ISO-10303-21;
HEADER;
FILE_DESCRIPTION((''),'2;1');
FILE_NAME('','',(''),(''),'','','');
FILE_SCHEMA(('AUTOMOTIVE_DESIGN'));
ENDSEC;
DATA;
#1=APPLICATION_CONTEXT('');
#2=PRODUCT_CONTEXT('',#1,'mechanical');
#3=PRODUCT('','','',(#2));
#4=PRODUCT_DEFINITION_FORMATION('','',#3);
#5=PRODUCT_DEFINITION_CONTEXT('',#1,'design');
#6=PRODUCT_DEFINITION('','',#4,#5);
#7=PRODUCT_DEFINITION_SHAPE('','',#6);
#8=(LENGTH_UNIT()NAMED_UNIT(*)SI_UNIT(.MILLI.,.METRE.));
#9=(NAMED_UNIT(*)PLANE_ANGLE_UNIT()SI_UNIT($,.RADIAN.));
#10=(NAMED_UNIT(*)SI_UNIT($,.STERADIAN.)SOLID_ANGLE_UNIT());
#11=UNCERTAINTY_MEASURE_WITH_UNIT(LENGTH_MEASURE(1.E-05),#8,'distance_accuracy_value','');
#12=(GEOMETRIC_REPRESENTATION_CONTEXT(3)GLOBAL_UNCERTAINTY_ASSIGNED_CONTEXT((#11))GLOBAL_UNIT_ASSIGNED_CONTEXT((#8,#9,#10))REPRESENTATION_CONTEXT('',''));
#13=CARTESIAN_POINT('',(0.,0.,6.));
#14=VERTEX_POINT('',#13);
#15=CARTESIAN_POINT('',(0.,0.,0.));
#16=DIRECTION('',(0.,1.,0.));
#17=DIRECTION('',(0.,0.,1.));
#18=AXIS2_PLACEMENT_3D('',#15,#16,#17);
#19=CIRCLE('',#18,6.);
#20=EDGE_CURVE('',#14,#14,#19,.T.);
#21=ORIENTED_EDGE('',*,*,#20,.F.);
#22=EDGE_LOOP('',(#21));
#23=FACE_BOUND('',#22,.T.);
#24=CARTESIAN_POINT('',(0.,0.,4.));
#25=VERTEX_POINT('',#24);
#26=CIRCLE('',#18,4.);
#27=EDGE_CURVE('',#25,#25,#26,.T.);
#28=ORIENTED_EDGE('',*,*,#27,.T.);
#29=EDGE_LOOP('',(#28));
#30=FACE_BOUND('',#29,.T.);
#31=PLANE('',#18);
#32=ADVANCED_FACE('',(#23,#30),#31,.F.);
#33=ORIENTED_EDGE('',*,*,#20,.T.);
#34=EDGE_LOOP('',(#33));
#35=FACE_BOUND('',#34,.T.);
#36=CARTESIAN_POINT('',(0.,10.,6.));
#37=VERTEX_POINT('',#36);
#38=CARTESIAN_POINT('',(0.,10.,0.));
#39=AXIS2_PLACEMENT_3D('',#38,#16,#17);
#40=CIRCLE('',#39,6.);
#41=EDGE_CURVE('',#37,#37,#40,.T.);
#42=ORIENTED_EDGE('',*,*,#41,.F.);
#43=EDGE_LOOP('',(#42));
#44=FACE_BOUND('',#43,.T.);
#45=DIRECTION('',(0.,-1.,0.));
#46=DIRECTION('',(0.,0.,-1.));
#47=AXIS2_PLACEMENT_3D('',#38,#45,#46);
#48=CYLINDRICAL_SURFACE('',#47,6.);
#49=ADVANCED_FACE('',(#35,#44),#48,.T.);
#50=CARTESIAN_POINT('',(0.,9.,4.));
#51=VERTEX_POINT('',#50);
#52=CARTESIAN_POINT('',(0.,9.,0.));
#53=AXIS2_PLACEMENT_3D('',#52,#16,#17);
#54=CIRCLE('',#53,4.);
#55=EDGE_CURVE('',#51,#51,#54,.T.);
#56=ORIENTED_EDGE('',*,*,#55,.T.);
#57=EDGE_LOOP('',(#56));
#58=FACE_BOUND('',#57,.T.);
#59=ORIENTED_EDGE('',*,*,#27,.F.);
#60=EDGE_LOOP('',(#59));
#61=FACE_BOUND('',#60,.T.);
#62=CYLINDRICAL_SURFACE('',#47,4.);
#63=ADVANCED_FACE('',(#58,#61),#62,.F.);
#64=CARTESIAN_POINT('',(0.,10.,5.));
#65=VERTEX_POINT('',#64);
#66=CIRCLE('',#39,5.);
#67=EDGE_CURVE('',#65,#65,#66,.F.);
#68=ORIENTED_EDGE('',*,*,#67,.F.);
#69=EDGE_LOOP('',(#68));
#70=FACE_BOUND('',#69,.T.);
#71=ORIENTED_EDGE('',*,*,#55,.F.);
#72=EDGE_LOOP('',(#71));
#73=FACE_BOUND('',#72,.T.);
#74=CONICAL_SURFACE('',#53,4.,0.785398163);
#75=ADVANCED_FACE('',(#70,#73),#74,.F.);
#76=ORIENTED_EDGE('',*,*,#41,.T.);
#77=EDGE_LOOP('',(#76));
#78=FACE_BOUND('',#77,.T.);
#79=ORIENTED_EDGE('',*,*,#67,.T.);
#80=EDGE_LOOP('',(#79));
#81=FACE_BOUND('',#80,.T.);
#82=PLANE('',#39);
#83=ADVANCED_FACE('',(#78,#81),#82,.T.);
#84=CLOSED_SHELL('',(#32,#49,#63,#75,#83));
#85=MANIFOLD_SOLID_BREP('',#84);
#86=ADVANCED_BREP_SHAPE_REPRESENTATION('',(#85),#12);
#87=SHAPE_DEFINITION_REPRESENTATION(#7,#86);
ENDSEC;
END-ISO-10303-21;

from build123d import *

# Parameters (mm, degrees)
SCHIZZO1_R                   = 6
SCHIZZO1_R_2                 = 4
ESTRUSIONE_ESTRUSIONE1_DEPTH = 10
SMUSSO1_SIZE                 = 1


with BuildPart() as part:
    # Schizzo1 → Estrusione-Estrusione1 (new body)
    with BuildSketch(Plane(origin=(0, 0, 0), x_dir=(1, 0, 0), z_dir=(0, 1, 0))):
        with Locations(Location((0, 0, 0), (0, 0, 270))):
            Circle(SCHIZZO1_R)
        with Locations(Location((0, 0, 0), (0, 0, 270))):
            Circle(SCHIZZO1_R_2, mode=Mode.SUBTRACT)
    extrude(amount=ESTRUSIONE_ESTRUSIONE1_DEPTH)

    # Smusso1
    smusso1_edges = [part.edges().sort_by_distance(p)[0] for p in [
        (0, 10, -4),
    ]]
    chamfer(smusso1_edges, length=SMUSSO1_SIZE)


solid = part.part
